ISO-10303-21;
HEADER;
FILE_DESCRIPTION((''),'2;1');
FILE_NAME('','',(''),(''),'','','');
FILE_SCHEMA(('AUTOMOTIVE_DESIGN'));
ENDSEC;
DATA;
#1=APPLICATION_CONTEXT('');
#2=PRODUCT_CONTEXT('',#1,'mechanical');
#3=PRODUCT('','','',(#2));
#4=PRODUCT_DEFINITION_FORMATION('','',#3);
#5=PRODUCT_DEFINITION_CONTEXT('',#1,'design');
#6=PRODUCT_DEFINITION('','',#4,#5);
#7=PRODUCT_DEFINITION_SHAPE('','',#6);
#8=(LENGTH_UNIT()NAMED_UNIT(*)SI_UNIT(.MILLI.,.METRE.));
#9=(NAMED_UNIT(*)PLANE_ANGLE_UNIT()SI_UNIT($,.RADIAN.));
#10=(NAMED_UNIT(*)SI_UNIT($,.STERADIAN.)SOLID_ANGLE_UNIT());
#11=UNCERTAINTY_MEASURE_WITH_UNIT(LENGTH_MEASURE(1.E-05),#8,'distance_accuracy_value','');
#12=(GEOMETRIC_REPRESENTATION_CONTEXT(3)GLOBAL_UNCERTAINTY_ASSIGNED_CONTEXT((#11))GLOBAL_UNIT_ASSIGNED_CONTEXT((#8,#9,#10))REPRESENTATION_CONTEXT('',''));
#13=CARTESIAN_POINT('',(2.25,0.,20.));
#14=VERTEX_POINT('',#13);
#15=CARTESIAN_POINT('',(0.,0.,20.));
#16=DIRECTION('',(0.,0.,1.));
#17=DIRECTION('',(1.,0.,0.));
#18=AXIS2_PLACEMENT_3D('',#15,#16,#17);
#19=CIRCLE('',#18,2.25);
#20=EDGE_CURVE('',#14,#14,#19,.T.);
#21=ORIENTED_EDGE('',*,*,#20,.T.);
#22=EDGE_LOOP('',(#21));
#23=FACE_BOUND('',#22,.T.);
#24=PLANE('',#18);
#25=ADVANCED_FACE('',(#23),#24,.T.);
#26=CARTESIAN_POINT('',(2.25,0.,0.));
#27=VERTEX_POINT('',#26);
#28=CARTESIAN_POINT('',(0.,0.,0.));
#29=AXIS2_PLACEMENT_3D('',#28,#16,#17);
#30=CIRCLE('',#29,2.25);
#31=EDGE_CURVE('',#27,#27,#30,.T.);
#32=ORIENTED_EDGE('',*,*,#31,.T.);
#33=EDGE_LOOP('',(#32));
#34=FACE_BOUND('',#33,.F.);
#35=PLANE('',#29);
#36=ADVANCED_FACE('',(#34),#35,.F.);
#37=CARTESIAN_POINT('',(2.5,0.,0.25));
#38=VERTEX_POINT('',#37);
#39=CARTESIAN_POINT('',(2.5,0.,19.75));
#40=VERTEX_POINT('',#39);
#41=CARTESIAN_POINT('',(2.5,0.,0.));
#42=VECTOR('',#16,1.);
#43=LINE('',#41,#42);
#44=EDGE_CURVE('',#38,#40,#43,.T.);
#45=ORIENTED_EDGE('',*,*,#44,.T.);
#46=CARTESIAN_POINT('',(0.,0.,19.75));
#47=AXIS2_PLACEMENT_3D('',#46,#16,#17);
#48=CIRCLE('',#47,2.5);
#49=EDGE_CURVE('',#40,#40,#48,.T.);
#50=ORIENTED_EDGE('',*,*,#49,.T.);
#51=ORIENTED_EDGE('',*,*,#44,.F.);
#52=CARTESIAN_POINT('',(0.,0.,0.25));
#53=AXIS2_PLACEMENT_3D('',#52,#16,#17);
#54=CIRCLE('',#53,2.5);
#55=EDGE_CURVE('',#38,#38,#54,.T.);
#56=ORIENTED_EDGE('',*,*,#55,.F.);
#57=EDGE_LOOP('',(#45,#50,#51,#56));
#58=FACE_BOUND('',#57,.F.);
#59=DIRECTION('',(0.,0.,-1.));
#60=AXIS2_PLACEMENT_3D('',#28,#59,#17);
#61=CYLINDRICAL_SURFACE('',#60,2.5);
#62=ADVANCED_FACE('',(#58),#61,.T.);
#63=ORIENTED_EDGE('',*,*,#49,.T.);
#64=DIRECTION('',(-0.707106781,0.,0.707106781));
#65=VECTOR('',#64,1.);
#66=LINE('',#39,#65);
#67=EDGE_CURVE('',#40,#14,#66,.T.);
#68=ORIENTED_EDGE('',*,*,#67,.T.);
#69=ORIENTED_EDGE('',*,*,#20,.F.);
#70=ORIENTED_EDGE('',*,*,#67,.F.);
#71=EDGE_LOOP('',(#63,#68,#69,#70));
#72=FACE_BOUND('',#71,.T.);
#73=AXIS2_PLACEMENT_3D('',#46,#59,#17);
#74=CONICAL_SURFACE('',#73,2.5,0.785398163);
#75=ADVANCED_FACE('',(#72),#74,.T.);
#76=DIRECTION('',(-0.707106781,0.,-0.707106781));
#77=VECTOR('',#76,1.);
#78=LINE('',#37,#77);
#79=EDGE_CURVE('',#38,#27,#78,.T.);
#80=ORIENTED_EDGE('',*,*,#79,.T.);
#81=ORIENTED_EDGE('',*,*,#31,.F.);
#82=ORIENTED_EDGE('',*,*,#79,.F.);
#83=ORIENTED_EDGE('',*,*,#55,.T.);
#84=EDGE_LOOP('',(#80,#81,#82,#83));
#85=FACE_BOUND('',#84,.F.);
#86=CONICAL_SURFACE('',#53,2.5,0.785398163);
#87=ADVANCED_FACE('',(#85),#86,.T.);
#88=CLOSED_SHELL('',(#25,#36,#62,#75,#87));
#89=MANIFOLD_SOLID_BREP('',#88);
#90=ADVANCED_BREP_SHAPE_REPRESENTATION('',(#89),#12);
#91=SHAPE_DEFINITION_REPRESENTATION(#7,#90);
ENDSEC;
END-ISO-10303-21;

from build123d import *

# Parameters (mm, degrees)
SKETCH_R     = 2.5
PAD_DEPTH    = 20
CHAMFER_SIZE = 0.25


with BuildPart() as part:
    # Sketch → Pad (new body)
    with BuildSketch(Plane.XY):
        Circle(SKETCH_R)
    extrude(amount=PAD_DEPTH)

    # Chamfer
    chamfer_edges = [part.edges().sort_by_distance(p)[0] for p in [
        (-2.5, 0, 0),
        (-2.5, 0, 20),
    ]]
    chamfer(chamfer_edges, length=CHAMFER_SIZE)


solid = part.part
